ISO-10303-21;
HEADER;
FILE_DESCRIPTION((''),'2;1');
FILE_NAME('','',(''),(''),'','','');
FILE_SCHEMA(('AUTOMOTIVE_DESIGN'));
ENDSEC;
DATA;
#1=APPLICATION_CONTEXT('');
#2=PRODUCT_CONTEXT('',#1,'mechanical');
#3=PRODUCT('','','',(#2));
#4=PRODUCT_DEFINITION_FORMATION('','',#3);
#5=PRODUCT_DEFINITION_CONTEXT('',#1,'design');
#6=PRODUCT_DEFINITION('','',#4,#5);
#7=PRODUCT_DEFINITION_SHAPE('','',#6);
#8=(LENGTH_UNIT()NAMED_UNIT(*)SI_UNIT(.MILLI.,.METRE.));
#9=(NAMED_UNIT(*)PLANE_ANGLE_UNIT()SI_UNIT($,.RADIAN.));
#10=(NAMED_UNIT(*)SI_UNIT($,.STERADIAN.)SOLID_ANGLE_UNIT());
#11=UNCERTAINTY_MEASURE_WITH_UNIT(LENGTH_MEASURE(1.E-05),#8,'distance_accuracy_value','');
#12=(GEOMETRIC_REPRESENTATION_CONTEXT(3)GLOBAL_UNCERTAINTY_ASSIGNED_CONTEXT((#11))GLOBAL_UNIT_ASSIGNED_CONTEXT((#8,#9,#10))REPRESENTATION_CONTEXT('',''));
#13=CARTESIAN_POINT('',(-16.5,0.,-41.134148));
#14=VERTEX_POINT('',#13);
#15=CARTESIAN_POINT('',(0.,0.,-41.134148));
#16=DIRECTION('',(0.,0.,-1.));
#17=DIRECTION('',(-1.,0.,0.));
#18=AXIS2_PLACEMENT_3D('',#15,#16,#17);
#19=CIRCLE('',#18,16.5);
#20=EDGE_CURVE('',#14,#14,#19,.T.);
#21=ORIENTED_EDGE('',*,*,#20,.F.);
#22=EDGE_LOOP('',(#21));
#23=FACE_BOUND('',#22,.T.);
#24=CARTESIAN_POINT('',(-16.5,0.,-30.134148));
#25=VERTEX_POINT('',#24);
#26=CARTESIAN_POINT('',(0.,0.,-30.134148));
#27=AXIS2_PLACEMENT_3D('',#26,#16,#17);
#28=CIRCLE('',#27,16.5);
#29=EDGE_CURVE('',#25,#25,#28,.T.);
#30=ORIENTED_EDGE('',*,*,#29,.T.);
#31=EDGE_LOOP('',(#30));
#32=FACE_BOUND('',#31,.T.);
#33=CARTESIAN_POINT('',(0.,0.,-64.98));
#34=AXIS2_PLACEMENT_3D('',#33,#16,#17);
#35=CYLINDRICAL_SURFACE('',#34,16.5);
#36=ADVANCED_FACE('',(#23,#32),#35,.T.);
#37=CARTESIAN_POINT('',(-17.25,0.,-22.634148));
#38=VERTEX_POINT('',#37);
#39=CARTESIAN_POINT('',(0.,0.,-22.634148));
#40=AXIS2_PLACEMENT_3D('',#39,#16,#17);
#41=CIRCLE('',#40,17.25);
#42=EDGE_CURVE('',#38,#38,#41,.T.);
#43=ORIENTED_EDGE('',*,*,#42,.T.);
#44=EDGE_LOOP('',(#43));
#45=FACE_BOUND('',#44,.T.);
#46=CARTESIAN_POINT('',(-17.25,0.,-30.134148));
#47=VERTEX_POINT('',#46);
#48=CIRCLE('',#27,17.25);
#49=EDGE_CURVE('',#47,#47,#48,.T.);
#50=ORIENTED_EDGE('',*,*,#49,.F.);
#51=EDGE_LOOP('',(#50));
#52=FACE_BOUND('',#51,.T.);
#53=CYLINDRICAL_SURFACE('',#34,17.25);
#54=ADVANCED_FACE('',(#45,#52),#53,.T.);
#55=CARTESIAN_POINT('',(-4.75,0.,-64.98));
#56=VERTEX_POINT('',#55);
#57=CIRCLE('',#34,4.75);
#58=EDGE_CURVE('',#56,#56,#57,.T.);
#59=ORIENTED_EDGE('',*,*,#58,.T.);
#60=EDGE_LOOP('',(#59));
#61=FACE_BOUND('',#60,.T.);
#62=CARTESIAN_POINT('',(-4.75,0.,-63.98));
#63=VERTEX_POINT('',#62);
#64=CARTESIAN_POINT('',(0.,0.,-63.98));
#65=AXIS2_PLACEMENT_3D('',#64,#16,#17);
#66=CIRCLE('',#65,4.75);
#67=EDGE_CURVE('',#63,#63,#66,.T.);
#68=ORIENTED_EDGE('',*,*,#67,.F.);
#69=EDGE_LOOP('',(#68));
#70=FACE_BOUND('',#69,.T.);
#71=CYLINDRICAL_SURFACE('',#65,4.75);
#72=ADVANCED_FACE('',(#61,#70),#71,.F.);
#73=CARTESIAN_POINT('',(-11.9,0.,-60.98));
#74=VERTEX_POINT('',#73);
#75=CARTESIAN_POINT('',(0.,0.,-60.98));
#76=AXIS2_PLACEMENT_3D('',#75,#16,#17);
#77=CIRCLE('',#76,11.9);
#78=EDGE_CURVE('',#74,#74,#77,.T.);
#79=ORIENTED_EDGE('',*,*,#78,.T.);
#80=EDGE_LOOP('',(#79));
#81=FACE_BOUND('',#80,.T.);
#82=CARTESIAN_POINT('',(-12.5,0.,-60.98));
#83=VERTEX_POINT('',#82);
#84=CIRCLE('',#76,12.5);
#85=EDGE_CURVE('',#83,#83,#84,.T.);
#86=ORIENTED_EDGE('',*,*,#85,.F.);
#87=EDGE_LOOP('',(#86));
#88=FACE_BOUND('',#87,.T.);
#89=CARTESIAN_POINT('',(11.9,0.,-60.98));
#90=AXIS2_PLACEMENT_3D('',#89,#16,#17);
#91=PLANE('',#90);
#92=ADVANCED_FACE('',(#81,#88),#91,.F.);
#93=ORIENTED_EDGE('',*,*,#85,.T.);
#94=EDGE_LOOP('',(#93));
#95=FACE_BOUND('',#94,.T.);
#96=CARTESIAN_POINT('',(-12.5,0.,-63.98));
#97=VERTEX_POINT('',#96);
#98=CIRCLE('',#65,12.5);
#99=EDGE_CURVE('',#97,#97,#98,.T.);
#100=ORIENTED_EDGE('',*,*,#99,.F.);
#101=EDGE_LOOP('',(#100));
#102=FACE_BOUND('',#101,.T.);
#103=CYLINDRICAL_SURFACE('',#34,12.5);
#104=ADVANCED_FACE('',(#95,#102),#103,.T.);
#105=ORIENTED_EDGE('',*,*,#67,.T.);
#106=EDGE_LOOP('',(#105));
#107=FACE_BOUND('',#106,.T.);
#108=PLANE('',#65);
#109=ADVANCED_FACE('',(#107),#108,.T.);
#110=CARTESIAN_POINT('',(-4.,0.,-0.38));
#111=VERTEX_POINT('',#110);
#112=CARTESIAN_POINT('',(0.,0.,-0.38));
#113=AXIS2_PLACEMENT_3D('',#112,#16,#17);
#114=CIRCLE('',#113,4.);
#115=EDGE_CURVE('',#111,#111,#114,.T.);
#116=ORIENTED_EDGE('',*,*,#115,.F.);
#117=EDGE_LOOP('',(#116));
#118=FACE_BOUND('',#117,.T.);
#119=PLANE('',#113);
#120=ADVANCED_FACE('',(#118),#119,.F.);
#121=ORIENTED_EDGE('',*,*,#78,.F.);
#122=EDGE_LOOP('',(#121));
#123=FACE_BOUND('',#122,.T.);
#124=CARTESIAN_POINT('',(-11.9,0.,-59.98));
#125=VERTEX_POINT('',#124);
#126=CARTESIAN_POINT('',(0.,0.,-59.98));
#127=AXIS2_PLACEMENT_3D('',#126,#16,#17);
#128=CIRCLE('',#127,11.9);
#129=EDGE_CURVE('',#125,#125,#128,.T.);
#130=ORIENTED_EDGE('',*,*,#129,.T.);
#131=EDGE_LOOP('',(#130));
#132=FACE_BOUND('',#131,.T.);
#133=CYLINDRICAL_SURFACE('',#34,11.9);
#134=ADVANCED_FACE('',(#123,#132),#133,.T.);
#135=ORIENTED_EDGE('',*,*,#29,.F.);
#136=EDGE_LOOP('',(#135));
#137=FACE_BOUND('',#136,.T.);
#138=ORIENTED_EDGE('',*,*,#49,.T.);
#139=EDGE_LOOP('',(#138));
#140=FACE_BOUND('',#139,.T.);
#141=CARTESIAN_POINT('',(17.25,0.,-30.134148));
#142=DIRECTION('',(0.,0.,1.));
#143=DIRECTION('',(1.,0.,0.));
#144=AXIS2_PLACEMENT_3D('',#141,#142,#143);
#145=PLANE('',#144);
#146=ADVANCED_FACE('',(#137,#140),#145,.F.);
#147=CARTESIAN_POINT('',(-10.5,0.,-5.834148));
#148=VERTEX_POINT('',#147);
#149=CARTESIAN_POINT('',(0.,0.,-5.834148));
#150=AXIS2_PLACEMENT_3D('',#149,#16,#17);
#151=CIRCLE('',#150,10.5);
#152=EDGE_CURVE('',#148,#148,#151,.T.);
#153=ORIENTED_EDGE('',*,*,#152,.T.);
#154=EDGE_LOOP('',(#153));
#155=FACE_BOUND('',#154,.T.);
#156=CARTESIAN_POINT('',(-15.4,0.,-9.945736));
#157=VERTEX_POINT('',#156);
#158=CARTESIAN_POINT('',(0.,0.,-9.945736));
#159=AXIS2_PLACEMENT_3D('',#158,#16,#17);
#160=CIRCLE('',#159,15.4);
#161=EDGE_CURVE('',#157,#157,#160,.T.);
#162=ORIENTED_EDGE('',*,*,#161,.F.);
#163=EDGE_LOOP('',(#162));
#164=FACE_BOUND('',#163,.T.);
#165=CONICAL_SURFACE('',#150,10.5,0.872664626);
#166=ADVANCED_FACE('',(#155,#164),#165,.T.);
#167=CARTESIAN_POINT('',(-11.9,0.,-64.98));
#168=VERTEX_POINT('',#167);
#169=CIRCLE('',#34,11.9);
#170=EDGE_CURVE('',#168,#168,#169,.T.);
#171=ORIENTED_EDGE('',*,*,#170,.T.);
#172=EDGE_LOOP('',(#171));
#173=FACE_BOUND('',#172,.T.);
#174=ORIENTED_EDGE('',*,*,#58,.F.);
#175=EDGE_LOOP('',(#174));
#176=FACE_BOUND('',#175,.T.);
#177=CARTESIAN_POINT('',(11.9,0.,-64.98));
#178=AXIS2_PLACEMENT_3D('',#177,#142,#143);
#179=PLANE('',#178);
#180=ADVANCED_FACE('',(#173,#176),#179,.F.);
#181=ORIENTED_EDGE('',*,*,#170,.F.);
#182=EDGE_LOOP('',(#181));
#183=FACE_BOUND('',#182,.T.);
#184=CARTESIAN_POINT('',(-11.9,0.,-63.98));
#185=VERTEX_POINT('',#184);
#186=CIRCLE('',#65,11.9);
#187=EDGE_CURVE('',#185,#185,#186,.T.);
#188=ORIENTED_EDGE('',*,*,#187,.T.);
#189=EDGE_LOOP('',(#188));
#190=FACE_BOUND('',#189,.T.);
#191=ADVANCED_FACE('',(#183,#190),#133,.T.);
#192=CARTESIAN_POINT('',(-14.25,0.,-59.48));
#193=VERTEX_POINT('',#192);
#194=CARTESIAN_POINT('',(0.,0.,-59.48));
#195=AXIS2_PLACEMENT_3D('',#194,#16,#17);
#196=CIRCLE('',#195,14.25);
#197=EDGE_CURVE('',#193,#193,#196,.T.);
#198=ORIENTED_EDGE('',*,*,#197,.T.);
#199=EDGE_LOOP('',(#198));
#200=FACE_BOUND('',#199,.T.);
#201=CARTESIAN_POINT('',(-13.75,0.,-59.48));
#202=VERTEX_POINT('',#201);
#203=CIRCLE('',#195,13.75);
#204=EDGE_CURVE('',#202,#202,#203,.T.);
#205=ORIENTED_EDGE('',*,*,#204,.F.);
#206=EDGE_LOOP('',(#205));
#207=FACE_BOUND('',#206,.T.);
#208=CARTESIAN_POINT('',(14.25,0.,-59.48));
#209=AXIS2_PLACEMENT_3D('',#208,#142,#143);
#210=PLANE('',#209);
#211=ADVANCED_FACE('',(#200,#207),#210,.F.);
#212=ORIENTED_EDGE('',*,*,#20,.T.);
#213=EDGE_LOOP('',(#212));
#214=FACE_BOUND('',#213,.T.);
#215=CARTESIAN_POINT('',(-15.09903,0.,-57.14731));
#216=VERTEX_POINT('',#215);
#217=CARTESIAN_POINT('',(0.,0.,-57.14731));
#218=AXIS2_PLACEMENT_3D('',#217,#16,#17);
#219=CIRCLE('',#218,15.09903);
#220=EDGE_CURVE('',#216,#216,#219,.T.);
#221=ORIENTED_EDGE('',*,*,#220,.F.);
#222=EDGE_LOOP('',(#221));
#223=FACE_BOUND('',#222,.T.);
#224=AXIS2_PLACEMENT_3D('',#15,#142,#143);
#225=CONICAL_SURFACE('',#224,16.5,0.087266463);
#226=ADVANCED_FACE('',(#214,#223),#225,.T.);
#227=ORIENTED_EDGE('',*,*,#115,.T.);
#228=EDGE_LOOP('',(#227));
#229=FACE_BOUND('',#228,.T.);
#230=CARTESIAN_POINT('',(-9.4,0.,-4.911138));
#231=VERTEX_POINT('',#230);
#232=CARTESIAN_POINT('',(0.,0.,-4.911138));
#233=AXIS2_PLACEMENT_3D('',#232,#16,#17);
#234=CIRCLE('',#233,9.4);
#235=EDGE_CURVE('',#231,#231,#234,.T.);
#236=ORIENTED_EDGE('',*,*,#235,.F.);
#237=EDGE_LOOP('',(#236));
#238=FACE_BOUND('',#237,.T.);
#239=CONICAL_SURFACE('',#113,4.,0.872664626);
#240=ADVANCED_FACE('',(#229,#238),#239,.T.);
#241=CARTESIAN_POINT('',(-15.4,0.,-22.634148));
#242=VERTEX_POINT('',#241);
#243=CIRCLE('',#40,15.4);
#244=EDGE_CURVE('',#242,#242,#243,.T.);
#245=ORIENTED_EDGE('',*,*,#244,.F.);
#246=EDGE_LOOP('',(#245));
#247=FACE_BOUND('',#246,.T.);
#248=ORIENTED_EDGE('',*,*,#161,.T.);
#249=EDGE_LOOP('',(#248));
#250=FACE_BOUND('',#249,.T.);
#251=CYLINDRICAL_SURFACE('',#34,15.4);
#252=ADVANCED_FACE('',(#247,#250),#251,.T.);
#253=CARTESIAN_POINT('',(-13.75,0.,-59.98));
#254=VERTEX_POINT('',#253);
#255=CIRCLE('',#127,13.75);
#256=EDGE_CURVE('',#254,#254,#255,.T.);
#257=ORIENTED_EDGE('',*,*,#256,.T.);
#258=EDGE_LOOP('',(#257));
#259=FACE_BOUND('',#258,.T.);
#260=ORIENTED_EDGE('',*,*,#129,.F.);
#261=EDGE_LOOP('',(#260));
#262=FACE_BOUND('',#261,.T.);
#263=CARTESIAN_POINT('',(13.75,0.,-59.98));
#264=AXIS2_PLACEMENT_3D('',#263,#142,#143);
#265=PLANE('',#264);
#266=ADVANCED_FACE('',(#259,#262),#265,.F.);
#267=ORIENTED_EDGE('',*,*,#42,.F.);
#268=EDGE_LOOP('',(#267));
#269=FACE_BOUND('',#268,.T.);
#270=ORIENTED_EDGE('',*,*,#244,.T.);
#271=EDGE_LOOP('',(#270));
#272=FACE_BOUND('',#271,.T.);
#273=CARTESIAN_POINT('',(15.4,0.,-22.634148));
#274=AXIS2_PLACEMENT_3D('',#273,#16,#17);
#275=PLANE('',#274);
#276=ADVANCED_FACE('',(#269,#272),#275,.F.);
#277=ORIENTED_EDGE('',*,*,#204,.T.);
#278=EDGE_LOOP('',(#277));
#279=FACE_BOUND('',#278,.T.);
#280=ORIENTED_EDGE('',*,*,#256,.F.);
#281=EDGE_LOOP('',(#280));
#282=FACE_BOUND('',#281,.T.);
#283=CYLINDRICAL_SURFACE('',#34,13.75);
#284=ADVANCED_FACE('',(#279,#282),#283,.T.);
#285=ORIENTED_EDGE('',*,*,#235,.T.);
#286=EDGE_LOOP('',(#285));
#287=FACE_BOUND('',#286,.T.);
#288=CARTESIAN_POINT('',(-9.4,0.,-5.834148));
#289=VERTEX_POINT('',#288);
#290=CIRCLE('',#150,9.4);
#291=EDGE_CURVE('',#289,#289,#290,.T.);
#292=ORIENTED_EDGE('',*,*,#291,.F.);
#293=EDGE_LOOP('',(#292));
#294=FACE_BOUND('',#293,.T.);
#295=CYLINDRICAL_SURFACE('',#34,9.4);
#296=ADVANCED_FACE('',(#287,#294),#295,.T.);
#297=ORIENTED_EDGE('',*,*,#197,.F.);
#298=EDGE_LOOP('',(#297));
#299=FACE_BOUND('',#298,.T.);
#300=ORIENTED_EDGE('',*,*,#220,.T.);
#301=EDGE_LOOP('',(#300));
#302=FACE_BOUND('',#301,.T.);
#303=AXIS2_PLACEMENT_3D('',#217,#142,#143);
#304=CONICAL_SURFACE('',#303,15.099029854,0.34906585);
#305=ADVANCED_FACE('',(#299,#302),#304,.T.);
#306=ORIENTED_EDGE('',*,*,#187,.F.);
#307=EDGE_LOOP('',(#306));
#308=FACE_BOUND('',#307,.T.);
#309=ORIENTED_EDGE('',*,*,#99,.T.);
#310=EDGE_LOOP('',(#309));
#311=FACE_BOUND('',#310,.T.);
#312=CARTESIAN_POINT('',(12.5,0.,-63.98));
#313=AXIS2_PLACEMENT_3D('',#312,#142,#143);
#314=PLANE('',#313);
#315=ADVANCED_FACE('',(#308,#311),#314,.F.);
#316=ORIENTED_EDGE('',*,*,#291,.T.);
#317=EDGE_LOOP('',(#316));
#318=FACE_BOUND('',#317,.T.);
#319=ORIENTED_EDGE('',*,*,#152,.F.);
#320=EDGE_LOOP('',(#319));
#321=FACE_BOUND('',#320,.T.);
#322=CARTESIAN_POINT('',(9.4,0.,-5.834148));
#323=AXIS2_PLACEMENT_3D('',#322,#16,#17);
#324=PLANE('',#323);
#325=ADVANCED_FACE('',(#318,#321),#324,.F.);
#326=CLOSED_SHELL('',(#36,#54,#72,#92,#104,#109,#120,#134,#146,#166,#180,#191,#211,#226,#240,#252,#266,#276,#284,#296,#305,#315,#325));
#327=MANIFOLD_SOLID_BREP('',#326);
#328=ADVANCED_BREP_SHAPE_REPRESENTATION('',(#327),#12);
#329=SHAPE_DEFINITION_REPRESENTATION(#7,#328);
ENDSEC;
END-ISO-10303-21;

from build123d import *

# Parameters (mm, degrees)
SKETCH2_R          = 4.75
CUT_EXTRUDE1_DEPTH = 1


with BuildPart() as part:
    # Sketch1 → Revolve1 (revolve)
    with BuildSketch(Plane(origin=(0, 0, 0), x_dir=(1, 0, 0), z_dir=(0, 1, 0)), mode=Mode.PRIVATE) as revolve1_sk:
        Polygon((0, 0.38), (4, 0.38), (9.4, 4.911138008), (9.4, 5.834147603), (10.5, 5.834147603), (15.4, 9.945735795), (15.4, 22.634147603), (17.25, 22.634147603), (17.25, 30.134147603), (16.5, 30.134147603), (16.5, 41.134147603), (15.099029854, 57.147309648), (14.25, 59.48), (13.75, 59.48), (13.75, 59.98), (11.9, 59.98), (11.9, 60.98), (12.5, 60.98), (12.5, 63.98), (11.9, 63.98), (11.9, 64.98), (0, 64.98), align=None)
    revolve(revolve1_sk.sketch.rotate(Axis((0, 0, -64.98), (0, 0, 1)), 180), axis=Axis((0, 0, -64.98), (0, 0, 1)))

    # Sketch2 → Cut-Extrude1 (cut)
    with BuildSketch(Plane(origin=(0, 0, -64.98), x_dir=(-1, 0, 0), z_dir=(0, 0, -1))):
        Circle(SKETCH2_R)
    extrude(amount=-CUT_EXTRUDE1_DEPTH, mode=Mode.SUBTRACT)


solid = part.part
